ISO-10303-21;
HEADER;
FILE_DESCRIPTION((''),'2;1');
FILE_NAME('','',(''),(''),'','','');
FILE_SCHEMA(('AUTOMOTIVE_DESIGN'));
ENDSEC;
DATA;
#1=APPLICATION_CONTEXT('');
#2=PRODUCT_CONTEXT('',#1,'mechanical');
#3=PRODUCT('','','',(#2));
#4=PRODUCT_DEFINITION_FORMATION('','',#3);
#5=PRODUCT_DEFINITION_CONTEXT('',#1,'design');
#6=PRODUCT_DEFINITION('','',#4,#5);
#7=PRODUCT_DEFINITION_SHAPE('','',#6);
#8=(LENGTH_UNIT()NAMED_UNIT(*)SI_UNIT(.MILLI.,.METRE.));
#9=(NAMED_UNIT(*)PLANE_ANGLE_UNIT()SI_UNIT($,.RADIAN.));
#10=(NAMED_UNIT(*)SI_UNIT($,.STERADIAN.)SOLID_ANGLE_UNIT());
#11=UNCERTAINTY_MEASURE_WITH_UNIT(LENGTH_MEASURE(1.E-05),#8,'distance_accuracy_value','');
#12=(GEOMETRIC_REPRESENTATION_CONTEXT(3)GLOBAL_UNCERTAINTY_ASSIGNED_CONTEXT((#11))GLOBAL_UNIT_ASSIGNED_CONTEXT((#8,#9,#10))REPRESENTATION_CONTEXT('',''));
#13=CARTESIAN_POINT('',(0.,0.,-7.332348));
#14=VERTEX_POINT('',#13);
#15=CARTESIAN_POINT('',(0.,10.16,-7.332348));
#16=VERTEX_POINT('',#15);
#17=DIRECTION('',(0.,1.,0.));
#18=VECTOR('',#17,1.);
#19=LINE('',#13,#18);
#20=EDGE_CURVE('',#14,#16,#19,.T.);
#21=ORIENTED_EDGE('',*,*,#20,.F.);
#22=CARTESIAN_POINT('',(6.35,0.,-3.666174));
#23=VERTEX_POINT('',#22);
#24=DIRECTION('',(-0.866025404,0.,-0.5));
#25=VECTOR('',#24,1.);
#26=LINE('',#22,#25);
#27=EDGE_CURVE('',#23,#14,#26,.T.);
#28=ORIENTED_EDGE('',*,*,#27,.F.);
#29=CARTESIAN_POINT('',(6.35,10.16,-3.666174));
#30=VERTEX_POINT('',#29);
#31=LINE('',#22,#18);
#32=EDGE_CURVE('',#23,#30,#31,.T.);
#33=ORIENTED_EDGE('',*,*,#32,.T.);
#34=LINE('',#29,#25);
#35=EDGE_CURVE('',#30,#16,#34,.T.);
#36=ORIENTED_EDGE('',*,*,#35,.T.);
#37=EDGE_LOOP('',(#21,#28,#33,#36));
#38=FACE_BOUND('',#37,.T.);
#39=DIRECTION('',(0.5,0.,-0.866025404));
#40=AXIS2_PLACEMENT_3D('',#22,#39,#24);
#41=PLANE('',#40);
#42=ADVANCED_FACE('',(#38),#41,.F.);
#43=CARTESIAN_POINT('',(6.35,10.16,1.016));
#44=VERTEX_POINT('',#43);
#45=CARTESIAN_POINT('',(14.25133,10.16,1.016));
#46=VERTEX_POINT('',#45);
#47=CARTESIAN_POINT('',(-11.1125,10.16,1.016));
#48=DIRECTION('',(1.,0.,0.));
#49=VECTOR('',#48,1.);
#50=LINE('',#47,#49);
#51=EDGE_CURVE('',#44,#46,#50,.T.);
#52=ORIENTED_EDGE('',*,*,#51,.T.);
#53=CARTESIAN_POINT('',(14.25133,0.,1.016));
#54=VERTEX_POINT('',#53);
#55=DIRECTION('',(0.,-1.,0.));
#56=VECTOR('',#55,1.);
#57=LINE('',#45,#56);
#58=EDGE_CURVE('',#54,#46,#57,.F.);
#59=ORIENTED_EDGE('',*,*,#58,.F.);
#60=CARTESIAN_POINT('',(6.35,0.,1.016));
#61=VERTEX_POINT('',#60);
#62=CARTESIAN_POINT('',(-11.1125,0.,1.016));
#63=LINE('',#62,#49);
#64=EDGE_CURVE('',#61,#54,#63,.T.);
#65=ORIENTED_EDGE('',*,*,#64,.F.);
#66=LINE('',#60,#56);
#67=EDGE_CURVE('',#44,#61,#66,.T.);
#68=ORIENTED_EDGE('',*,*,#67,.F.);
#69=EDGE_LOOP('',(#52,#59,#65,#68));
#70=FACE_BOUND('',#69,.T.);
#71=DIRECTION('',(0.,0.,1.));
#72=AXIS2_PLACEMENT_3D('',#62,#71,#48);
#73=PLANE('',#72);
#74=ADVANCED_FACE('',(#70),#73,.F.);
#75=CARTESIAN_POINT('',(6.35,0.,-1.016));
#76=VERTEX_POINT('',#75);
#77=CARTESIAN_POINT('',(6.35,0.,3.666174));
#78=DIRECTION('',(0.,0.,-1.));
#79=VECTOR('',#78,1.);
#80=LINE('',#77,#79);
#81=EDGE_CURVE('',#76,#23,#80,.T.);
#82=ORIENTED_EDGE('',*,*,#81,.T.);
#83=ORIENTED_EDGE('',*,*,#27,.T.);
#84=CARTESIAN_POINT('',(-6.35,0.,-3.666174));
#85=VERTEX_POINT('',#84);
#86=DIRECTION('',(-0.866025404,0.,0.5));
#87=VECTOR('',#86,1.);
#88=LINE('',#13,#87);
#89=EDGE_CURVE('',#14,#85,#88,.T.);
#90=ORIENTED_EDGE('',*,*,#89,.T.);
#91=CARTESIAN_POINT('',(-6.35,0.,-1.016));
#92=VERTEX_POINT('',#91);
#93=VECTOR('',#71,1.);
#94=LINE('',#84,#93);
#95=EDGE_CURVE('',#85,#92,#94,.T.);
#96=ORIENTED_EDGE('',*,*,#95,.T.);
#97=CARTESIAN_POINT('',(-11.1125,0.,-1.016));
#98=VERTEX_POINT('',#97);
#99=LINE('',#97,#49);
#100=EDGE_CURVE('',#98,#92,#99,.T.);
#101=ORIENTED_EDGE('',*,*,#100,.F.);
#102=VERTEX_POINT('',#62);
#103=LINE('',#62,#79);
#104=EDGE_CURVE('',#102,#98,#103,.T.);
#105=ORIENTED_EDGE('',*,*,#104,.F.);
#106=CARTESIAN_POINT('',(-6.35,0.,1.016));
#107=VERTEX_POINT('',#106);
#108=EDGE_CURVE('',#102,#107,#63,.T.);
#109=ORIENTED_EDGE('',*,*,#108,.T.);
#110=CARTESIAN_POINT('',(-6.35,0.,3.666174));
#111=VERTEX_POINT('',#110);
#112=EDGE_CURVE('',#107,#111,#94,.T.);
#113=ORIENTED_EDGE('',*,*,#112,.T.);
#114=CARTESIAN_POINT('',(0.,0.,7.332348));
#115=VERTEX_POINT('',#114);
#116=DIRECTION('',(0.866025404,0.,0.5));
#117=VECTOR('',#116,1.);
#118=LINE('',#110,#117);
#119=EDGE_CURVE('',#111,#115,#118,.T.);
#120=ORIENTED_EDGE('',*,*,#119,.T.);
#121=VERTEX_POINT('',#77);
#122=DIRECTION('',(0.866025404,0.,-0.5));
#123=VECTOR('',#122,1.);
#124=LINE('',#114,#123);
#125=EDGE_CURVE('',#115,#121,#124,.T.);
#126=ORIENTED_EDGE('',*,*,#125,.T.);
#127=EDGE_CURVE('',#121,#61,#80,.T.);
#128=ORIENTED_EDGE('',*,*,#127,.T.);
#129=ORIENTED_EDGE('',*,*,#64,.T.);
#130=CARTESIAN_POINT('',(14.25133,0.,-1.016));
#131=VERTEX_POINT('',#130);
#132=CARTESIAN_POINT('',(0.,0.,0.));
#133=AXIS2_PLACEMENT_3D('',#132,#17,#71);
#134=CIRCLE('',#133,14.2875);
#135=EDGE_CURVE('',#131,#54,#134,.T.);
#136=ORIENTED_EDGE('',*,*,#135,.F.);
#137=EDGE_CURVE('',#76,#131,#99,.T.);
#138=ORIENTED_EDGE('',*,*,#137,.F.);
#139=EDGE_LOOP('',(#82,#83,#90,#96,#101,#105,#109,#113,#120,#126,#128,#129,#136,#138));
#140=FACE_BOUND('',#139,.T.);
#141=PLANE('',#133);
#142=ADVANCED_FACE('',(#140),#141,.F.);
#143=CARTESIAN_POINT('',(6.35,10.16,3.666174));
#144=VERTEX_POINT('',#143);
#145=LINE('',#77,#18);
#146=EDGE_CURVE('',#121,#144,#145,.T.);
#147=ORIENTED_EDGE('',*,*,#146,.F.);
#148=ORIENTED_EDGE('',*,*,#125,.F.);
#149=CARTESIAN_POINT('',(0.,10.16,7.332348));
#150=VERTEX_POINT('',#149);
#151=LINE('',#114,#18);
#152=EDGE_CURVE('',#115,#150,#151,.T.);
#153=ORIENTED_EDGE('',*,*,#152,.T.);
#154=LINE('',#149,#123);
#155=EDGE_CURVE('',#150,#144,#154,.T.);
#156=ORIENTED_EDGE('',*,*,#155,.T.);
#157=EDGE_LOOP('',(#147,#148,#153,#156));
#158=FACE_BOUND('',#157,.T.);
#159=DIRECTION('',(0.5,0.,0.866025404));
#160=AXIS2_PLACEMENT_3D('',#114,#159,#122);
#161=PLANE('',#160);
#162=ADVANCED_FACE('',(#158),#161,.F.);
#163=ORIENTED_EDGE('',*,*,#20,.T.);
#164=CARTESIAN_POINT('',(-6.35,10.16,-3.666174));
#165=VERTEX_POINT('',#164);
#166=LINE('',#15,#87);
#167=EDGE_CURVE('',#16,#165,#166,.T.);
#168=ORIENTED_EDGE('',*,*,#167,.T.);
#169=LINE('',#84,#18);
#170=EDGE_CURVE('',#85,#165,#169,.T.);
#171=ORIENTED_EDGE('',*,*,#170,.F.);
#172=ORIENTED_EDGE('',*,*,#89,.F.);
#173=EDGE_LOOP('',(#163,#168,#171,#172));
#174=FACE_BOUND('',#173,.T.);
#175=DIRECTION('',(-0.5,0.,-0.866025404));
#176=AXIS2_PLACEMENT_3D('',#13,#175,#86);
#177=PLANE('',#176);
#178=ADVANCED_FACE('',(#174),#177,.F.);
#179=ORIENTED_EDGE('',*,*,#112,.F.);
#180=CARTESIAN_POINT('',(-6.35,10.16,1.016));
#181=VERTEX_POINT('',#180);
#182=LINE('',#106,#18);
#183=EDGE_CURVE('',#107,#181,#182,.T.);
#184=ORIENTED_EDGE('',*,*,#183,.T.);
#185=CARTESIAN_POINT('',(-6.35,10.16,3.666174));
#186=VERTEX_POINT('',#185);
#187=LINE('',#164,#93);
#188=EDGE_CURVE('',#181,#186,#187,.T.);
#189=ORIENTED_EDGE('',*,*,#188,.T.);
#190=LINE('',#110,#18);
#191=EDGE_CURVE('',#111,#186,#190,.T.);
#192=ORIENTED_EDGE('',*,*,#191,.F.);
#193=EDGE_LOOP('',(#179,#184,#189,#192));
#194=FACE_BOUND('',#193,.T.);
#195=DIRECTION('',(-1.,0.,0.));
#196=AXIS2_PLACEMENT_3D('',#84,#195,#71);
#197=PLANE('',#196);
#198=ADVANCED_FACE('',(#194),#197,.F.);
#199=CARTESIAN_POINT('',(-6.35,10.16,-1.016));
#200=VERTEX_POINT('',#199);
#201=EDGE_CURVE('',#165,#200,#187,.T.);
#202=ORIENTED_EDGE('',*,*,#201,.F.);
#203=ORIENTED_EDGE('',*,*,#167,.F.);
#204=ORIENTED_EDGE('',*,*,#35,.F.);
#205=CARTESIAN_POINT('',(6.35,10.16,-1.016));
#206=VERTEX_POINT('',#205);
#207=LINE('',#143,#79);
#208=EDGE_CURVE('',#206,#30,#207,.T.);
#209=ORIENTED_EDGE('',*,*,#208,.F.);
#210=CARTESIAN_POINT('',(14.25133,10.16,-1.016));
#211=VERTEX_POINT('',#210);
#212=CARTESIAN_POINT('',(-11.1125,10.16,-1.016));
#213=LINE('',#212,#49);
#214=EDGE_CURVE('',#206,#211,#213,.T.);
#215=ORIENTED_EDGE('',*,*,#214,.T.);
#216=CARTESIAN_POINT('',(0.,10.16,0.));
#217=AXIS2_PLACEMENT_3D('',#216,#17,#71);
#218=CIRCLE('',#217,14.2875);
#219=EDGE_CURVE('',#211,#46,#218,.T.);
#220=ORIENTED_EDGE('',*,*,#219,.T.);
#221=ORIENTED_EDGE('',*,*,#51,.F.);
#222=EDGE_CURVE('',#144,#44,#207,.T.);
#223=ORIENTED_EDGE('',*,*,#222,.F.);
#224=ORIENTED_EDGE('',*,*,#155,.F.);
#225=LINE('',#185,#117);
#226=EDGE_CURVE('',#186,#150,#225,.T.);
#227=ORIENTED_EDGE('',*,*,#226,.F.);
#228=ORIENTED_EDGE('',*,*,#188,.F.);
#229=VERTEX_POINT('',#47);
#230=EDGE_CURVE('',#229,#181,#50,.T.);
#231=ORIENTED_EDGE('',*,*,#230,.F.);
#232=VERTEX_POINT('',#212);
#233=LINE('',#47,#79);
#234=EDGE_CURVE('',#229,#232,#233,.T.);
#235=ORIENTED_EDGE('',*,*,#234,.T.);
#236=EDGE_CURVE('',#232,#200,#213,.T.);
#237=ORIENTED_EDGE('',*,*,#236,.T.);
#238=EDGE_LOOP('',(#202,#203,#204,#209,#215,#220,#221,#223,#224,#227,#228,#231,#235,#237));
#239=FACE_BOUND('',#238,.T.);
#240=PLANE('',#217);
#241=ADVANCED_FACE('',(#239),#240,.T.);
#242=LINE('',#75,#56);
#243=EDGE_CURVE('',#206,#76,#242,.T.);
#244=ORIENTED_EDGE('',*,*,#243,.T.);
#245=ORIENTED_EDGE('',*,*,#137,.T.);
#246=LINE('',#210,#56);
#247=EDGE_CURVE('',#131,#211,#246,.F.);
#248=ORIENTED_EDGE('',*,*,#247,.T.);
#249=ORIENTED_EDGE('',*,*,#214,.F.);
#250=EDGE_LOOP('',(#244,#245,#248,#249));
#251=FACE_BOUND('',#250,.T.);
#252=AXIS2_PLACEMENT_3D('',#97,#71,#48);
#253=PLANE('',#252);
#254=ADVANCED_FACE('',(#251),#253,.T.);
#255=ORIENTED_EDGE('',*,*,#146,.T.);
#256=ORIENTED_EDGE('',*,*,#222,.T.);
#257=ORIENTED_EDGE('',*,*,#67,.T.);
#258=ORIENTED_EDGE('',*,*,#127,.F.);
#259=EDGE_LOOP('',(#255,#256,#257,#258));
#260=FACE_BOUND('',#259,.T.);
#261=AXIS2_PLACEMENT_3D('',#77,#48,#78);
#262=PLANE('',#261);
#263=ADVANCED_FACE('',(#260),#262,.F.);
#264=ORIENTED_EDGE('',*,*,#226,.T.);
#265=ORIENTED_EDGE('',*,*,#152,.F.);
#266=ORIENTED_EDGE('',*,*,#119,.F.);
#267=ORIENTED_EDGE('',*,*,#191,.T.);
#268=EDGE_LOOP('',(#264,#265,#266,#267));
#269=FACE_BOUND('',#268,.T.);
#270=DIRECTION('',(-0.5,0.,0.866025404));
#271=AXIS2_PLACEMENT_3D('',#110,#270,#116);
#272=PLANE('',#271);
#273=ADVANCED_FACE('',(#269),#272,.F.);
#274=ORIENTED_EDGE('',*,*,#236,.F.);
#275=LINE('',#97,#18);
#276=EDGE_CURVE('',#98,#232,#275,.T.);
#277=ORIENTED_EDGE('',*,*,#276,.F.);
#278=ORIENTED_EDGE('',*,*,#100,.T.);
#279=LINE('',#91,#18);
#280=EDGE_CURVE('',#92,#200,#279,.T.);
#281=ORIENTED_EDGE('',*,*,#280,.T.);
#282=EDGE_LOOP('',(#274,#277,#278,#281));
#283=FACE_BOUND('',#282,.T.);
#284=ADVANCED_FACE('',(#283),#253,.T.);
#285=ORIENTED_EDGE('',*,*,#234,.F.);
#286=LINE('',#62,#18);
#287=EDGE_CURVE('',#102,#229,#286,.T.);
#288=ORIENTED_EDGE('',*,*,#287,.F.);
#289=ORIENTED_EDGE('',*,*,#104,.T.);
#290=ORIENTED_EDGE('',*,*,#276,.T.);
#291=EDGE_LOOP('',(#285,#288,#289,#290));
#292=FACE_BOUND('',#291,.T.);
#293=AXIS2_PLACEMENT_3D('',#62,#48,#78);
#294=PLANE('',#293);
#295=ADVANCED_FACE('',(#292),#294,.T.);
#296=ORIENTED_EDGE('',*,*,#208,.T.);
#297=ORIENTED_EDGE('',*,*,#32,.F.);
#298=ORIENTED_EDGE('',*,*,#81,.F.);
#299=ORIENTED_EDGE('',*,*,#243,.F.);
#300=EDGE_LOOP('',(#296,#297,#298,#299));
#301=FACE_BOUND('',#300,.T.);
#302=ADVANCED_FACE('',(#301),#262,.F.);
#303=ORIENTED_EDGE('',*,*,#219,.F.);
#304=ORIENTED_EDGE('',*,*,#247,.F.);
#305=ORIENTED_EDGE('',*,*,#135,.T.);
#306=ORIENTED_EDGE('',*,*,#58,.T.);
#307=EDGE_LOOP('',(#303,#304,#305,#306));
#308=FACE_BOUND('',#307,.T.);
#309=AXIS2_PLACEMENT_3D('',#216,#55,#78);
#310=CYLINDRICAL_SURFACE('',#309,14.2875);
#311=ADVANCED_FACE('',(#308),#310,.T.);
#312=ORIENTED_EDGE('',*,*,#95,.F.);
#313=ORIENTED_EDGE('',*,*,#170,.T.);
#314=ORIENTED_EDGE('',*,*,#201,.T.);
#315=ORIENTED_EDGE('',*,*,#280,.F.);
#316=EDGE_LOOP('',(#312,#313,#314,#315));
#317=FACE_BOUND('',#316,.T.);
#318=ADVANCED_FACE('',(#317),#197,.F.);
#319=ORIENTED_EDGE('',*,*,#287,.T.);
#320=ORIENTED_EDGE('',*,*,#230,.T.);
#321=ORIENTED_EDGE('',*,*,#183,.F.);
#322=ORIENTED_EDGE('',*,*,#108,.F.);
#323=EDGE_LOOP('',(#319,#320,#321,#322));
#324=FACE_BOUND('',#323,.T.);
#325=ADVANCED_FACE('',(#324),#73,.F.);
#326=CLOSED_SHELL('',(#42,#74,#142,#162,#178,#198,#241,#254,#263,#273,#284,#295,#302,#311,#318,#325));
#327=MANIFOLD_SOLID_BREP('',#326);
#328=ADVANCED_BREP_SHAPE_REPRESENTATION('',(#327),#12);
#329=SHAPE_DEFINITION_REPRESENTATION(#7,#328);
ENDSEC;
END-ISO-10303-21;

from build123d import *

# Parameters (mm, degrees)
SKETCH1_R           = 14.2875
BOSS_EXTRUDE1_DEPTH = 10.16
CUT_EXTRUDE1_DEPTH  = 23.61616485
SKETCH3_W           = 25.4
SKETCH3_H           = 2.032
CUT_EXTRUDE2_DEPTH  = 23.61616485


with BuildPart() as part:
    # Sketch1 → Boss-Extrude1 (new body)
    with BuildSketch(Plane(origin=(0, 0, 0), x_dir=(1, 0, 0), z_dir=(0, 1, 0))):
        with Locations(Location((0, 0, 0), (0, 0, 270))):
            Circle(SKETCH1_R)
    extrude(amount=BOSS_EXTRUDE1_DEPTH)

    # Sketch2 → Cut-Extrude1 (cut, through all)
    with BuildSketch(Plane(origin=(0, 10.16, 0), x_dir=(1, 0, 0), z_dir=(0, 1, 0))):
        Polygon((0, 7.332348419), (-6.35, 3.666174209), (-6.35, -3.666174209), (0, -7.332348419), (6.35, -3.666174209), (6.35, 3.666174209), align=None)
    extrude(amount=-CUT_EXTRUDE1_DEPTH, mode=Mode.SUBTRACT)

    # Sketch3 → Cut-Extrude2 (cut, through all)
    with BuildSketch(Plane(origin=(0, 10.16, 0), x_dir=(1, 0, 0), z_dir=(0, 1, 0))):
        with Locations((1.5875, 0)):
            Rectangle(SKETCH3_W, SKETCH3_H)
    extrude(amount=-CUT_EXTRUDE2_DEPTH, mode=Mode.SUBTRACT)


solid = part.part
